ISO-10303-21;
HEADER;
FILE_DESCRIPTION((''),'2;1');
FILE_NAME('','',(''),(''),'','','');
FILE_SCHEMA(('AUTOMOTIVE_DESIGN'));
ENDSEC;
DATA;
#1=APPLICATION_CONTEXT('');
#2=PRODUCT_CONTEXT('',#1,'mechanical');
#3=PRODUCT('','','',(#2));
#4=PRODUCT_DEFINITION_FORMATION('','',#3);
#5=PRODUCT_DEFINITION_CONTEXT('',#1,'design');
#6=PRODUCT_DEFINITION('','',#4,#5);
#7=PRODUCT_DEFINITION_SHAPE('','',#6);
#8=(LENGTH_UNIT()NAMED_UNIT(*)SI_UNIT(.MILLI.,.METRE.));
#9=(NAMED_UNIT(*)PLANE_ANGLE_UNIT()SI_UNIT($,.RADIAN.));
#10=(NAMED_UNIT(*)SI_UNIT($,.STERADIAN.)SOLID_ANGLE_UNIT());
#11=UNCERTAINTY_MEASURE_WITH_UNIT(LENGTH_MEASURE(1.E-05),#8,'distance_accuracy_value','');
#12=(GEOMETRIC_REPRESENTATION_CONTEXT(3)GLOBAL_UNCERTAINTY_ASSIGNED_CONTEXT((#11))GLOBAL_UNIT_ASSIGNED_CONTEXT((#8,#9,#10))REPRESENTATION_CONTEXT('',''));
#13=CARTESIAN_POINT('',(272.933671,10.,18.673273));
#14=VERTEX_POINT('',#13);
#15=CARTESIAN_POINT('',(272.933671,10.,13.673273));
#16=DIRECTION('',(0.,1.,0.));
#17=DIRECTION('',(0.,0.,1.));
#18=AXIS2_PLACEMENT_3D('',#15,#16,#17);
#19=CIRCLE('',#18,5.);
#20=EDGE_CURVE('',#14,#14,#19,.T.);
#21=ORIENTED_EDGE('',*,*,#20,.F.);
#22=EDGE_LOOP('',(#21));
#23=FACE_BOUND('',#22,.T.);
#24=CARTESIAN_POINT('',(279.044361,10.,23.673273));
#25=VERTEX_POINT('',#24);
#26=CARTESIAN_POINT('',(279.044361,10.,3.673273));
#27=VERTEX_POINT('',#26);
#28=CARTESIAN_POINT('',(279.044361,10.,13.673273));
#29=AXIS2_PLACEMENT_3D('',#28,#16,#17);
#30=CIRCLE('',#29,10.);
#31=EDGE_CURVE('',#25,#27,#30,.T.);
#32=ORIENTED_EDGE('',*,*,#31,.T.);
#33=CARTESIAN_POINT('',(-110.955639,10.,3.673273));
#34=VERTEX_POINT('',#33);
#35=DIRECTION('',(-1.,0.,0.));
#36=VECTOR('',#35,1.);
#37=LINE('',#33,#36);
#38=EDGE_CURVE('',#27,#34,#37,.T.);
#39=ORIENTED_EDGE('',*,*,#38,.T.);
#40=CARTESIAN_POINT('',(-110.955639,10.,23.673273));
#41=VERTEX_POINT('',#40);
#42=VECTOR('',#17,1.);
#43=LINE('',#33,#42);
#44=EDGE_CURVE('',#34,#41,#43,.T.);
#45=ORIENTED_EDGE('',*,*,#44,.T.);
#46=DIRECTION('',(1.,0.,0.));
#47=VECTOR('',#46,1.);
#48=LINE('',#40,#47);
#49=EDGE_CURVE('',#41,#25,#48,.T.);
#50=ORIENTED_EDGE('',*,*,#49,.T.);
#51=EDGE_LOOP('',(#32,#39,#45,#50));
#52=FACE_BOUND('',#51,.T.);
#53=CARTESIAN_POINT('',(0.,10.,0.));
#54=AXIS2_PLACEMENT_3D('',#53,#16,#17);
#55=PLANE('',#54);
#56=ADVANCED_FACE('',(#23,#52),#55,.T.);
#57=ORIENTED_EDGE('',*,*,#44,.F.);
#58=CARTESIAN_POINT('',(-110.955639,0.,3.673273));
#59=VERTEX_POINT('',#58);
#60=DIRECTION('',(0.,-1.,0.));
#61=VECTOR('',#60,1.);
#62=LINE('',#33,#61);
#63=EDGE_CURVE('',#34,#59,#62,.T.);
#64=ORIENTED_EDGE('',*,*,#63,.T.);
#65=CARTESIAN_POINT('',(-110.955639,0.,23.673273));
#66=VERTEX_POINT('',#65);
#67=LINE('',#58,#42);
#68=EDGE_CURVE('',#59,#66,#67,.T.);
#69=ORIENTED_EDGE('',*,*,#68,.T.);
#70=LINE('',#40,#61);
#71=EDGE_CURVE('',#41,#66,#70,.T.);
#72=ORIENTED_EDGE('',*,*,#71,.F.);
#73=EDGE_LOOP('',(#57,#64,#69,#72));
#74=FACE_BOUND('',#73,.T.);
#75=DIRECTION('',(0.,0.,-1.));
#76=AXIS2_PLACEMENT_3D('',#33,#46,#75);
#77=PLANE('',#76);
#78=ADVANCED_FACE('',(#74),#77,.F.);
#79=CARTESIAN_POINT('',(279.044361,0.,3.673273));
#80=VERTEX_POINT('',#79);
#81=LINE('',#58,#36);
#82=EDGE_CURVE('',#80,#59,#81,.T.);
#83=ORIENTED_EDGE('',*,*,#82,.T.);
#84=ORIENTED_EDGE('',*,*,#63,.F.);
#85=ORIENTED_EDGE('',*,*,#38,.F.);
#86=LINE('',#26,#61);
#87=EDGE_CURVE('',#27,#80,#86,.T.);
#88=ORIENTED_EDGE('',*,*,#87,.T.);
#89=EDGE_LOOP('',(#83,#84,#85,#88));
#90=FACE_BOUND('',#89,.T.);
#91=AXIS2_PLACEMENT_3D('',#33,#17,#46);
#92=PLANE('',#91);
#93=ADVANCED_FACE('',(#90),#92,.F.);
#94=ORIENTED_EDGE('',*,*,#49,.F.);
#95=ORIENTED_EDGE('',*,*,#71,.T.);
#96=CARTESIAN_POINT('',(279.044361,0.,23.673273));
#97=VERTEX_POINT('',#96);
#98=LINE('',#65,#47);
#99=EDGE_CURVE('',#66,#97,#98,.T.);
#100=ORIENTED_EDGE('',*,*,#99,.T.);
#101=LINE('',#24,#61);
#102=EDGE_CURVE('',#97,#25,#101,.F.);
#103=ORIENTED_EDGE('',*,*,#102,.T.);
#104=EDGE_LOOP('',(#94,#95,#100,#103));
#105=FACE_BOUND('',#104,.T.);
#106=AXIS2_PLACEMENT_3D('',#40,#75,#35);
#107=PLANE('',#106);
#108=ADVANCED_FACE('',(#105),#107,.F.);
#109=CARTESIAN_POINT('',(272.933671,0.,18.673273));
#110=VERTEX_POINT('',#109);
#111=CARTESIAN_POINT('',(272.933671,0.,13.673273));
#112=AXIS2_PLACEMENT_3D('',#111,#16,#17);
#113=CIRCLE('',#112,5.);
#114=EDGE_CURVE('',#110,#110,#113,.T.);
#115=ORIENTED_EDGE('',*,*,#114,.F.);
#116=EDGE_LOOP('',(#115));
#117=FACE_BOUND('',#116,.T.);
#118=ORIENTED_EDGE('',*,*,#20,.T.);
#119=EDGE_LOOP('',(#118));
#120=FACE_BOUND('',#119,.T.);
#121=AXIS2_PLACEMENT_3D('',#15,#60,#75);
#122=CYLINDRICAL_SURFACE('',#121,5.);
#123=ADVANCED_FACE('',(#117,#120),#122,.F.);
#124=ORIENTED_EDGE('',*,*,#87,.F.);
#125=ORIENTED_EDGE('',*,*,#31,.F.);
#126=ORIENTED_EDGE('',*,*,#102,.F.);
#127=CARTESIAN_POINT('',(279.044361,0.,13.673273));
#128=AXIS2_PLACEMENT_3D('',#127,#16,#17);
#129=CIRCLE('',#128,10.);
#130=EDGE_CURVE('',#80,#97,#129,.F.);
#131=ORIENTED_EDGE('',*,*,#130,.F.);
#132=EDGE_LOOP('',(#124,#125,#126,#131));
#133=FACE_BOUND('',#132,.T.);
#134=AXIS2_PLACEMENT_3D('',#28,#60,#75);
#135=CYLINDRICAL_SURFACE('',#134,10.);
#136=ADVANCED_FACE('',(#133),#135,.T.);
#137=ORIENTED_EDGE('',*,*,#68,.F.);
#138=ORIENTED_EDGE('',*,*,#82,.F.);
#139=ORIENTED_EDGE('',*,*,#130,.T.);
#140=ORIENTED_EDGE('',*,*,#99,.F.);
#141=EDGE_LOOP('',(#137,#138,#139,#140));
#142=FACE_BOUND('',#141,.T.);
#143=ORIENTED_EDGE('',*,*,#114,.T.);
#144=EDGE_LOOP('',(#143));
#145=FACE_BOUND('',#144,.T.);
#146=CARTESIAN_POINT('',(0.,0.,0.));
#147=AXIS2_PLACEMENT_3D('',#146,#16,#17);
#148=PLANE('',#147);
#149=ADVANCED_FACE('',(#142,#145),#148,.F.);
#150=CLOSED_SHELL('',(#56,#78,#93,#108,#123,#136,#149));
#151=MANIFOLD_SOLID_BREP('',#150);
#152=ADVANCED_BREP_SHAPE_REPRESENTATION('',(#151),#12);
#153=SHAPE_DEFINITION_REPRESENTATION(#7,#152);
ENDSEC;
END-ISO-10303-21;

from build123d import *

# Parameters (mm, degrees)
SKETCH2_W           = 400
SKETCH2_H           = 20
SKETCH2_R           = 5
BOSS_EXTRUDE1_DEPTH = 10
FILLET1_RADIUS      = 10
FILLET1_LENGTH      = 10


with BuildPart() as part:
    # Sketch2 → Boss-Extrude1 (new body)
    with BuildSketch(Plane(origin=(0, 0, 0), x_dir=(1, 0, 0), z_dir=(0, 1, 0))):
        with Locations((89.044360902, -13.673273177)):
            Rectangle(SKETCH2_W, SKETCH2_H)
        with Locations(Location((272.933671002, -13.673273177, 0), (0, 0, 270))):
            Circle(SKETCH2_R, mode=Mode.SUBTRACT)
    extrude(amount=BOSS_EXTRUDE1_DEPTH)

    # Fillet1: full round fillet: the end face becomes a half cylinder, R = half its width
    fillet1_face = Plane((289.044360902, 5, 13.673273177), x_dir=(0, 1, 0), z_dir=(1, 0, 0))  # on the end face: x along it, z out of the body
    fillet1_slab = fillet1_face.offset(-FILLET1_RADIUS / 2) * Box(FILLET1_LENGTH, 2 * FILLET1_RADIUS, FILLET1_RADIUS, mode=Mode.PRIVATE)  # the body's end, R deep
    fillet1_round = Plane((279.044360902, 5, 13.673273177), x_dir=(1, 0, 0), z_dir=(0, 1, 0)) * Cylinder(FILLET1_RADIUS, FILLET1_LENGTH, mode=Mode.PRIVATE)  # its axis R under the face
    add(fillet1_slab - fillet1_round, mode=Mode.SUBTRACT)


solid = part.part
